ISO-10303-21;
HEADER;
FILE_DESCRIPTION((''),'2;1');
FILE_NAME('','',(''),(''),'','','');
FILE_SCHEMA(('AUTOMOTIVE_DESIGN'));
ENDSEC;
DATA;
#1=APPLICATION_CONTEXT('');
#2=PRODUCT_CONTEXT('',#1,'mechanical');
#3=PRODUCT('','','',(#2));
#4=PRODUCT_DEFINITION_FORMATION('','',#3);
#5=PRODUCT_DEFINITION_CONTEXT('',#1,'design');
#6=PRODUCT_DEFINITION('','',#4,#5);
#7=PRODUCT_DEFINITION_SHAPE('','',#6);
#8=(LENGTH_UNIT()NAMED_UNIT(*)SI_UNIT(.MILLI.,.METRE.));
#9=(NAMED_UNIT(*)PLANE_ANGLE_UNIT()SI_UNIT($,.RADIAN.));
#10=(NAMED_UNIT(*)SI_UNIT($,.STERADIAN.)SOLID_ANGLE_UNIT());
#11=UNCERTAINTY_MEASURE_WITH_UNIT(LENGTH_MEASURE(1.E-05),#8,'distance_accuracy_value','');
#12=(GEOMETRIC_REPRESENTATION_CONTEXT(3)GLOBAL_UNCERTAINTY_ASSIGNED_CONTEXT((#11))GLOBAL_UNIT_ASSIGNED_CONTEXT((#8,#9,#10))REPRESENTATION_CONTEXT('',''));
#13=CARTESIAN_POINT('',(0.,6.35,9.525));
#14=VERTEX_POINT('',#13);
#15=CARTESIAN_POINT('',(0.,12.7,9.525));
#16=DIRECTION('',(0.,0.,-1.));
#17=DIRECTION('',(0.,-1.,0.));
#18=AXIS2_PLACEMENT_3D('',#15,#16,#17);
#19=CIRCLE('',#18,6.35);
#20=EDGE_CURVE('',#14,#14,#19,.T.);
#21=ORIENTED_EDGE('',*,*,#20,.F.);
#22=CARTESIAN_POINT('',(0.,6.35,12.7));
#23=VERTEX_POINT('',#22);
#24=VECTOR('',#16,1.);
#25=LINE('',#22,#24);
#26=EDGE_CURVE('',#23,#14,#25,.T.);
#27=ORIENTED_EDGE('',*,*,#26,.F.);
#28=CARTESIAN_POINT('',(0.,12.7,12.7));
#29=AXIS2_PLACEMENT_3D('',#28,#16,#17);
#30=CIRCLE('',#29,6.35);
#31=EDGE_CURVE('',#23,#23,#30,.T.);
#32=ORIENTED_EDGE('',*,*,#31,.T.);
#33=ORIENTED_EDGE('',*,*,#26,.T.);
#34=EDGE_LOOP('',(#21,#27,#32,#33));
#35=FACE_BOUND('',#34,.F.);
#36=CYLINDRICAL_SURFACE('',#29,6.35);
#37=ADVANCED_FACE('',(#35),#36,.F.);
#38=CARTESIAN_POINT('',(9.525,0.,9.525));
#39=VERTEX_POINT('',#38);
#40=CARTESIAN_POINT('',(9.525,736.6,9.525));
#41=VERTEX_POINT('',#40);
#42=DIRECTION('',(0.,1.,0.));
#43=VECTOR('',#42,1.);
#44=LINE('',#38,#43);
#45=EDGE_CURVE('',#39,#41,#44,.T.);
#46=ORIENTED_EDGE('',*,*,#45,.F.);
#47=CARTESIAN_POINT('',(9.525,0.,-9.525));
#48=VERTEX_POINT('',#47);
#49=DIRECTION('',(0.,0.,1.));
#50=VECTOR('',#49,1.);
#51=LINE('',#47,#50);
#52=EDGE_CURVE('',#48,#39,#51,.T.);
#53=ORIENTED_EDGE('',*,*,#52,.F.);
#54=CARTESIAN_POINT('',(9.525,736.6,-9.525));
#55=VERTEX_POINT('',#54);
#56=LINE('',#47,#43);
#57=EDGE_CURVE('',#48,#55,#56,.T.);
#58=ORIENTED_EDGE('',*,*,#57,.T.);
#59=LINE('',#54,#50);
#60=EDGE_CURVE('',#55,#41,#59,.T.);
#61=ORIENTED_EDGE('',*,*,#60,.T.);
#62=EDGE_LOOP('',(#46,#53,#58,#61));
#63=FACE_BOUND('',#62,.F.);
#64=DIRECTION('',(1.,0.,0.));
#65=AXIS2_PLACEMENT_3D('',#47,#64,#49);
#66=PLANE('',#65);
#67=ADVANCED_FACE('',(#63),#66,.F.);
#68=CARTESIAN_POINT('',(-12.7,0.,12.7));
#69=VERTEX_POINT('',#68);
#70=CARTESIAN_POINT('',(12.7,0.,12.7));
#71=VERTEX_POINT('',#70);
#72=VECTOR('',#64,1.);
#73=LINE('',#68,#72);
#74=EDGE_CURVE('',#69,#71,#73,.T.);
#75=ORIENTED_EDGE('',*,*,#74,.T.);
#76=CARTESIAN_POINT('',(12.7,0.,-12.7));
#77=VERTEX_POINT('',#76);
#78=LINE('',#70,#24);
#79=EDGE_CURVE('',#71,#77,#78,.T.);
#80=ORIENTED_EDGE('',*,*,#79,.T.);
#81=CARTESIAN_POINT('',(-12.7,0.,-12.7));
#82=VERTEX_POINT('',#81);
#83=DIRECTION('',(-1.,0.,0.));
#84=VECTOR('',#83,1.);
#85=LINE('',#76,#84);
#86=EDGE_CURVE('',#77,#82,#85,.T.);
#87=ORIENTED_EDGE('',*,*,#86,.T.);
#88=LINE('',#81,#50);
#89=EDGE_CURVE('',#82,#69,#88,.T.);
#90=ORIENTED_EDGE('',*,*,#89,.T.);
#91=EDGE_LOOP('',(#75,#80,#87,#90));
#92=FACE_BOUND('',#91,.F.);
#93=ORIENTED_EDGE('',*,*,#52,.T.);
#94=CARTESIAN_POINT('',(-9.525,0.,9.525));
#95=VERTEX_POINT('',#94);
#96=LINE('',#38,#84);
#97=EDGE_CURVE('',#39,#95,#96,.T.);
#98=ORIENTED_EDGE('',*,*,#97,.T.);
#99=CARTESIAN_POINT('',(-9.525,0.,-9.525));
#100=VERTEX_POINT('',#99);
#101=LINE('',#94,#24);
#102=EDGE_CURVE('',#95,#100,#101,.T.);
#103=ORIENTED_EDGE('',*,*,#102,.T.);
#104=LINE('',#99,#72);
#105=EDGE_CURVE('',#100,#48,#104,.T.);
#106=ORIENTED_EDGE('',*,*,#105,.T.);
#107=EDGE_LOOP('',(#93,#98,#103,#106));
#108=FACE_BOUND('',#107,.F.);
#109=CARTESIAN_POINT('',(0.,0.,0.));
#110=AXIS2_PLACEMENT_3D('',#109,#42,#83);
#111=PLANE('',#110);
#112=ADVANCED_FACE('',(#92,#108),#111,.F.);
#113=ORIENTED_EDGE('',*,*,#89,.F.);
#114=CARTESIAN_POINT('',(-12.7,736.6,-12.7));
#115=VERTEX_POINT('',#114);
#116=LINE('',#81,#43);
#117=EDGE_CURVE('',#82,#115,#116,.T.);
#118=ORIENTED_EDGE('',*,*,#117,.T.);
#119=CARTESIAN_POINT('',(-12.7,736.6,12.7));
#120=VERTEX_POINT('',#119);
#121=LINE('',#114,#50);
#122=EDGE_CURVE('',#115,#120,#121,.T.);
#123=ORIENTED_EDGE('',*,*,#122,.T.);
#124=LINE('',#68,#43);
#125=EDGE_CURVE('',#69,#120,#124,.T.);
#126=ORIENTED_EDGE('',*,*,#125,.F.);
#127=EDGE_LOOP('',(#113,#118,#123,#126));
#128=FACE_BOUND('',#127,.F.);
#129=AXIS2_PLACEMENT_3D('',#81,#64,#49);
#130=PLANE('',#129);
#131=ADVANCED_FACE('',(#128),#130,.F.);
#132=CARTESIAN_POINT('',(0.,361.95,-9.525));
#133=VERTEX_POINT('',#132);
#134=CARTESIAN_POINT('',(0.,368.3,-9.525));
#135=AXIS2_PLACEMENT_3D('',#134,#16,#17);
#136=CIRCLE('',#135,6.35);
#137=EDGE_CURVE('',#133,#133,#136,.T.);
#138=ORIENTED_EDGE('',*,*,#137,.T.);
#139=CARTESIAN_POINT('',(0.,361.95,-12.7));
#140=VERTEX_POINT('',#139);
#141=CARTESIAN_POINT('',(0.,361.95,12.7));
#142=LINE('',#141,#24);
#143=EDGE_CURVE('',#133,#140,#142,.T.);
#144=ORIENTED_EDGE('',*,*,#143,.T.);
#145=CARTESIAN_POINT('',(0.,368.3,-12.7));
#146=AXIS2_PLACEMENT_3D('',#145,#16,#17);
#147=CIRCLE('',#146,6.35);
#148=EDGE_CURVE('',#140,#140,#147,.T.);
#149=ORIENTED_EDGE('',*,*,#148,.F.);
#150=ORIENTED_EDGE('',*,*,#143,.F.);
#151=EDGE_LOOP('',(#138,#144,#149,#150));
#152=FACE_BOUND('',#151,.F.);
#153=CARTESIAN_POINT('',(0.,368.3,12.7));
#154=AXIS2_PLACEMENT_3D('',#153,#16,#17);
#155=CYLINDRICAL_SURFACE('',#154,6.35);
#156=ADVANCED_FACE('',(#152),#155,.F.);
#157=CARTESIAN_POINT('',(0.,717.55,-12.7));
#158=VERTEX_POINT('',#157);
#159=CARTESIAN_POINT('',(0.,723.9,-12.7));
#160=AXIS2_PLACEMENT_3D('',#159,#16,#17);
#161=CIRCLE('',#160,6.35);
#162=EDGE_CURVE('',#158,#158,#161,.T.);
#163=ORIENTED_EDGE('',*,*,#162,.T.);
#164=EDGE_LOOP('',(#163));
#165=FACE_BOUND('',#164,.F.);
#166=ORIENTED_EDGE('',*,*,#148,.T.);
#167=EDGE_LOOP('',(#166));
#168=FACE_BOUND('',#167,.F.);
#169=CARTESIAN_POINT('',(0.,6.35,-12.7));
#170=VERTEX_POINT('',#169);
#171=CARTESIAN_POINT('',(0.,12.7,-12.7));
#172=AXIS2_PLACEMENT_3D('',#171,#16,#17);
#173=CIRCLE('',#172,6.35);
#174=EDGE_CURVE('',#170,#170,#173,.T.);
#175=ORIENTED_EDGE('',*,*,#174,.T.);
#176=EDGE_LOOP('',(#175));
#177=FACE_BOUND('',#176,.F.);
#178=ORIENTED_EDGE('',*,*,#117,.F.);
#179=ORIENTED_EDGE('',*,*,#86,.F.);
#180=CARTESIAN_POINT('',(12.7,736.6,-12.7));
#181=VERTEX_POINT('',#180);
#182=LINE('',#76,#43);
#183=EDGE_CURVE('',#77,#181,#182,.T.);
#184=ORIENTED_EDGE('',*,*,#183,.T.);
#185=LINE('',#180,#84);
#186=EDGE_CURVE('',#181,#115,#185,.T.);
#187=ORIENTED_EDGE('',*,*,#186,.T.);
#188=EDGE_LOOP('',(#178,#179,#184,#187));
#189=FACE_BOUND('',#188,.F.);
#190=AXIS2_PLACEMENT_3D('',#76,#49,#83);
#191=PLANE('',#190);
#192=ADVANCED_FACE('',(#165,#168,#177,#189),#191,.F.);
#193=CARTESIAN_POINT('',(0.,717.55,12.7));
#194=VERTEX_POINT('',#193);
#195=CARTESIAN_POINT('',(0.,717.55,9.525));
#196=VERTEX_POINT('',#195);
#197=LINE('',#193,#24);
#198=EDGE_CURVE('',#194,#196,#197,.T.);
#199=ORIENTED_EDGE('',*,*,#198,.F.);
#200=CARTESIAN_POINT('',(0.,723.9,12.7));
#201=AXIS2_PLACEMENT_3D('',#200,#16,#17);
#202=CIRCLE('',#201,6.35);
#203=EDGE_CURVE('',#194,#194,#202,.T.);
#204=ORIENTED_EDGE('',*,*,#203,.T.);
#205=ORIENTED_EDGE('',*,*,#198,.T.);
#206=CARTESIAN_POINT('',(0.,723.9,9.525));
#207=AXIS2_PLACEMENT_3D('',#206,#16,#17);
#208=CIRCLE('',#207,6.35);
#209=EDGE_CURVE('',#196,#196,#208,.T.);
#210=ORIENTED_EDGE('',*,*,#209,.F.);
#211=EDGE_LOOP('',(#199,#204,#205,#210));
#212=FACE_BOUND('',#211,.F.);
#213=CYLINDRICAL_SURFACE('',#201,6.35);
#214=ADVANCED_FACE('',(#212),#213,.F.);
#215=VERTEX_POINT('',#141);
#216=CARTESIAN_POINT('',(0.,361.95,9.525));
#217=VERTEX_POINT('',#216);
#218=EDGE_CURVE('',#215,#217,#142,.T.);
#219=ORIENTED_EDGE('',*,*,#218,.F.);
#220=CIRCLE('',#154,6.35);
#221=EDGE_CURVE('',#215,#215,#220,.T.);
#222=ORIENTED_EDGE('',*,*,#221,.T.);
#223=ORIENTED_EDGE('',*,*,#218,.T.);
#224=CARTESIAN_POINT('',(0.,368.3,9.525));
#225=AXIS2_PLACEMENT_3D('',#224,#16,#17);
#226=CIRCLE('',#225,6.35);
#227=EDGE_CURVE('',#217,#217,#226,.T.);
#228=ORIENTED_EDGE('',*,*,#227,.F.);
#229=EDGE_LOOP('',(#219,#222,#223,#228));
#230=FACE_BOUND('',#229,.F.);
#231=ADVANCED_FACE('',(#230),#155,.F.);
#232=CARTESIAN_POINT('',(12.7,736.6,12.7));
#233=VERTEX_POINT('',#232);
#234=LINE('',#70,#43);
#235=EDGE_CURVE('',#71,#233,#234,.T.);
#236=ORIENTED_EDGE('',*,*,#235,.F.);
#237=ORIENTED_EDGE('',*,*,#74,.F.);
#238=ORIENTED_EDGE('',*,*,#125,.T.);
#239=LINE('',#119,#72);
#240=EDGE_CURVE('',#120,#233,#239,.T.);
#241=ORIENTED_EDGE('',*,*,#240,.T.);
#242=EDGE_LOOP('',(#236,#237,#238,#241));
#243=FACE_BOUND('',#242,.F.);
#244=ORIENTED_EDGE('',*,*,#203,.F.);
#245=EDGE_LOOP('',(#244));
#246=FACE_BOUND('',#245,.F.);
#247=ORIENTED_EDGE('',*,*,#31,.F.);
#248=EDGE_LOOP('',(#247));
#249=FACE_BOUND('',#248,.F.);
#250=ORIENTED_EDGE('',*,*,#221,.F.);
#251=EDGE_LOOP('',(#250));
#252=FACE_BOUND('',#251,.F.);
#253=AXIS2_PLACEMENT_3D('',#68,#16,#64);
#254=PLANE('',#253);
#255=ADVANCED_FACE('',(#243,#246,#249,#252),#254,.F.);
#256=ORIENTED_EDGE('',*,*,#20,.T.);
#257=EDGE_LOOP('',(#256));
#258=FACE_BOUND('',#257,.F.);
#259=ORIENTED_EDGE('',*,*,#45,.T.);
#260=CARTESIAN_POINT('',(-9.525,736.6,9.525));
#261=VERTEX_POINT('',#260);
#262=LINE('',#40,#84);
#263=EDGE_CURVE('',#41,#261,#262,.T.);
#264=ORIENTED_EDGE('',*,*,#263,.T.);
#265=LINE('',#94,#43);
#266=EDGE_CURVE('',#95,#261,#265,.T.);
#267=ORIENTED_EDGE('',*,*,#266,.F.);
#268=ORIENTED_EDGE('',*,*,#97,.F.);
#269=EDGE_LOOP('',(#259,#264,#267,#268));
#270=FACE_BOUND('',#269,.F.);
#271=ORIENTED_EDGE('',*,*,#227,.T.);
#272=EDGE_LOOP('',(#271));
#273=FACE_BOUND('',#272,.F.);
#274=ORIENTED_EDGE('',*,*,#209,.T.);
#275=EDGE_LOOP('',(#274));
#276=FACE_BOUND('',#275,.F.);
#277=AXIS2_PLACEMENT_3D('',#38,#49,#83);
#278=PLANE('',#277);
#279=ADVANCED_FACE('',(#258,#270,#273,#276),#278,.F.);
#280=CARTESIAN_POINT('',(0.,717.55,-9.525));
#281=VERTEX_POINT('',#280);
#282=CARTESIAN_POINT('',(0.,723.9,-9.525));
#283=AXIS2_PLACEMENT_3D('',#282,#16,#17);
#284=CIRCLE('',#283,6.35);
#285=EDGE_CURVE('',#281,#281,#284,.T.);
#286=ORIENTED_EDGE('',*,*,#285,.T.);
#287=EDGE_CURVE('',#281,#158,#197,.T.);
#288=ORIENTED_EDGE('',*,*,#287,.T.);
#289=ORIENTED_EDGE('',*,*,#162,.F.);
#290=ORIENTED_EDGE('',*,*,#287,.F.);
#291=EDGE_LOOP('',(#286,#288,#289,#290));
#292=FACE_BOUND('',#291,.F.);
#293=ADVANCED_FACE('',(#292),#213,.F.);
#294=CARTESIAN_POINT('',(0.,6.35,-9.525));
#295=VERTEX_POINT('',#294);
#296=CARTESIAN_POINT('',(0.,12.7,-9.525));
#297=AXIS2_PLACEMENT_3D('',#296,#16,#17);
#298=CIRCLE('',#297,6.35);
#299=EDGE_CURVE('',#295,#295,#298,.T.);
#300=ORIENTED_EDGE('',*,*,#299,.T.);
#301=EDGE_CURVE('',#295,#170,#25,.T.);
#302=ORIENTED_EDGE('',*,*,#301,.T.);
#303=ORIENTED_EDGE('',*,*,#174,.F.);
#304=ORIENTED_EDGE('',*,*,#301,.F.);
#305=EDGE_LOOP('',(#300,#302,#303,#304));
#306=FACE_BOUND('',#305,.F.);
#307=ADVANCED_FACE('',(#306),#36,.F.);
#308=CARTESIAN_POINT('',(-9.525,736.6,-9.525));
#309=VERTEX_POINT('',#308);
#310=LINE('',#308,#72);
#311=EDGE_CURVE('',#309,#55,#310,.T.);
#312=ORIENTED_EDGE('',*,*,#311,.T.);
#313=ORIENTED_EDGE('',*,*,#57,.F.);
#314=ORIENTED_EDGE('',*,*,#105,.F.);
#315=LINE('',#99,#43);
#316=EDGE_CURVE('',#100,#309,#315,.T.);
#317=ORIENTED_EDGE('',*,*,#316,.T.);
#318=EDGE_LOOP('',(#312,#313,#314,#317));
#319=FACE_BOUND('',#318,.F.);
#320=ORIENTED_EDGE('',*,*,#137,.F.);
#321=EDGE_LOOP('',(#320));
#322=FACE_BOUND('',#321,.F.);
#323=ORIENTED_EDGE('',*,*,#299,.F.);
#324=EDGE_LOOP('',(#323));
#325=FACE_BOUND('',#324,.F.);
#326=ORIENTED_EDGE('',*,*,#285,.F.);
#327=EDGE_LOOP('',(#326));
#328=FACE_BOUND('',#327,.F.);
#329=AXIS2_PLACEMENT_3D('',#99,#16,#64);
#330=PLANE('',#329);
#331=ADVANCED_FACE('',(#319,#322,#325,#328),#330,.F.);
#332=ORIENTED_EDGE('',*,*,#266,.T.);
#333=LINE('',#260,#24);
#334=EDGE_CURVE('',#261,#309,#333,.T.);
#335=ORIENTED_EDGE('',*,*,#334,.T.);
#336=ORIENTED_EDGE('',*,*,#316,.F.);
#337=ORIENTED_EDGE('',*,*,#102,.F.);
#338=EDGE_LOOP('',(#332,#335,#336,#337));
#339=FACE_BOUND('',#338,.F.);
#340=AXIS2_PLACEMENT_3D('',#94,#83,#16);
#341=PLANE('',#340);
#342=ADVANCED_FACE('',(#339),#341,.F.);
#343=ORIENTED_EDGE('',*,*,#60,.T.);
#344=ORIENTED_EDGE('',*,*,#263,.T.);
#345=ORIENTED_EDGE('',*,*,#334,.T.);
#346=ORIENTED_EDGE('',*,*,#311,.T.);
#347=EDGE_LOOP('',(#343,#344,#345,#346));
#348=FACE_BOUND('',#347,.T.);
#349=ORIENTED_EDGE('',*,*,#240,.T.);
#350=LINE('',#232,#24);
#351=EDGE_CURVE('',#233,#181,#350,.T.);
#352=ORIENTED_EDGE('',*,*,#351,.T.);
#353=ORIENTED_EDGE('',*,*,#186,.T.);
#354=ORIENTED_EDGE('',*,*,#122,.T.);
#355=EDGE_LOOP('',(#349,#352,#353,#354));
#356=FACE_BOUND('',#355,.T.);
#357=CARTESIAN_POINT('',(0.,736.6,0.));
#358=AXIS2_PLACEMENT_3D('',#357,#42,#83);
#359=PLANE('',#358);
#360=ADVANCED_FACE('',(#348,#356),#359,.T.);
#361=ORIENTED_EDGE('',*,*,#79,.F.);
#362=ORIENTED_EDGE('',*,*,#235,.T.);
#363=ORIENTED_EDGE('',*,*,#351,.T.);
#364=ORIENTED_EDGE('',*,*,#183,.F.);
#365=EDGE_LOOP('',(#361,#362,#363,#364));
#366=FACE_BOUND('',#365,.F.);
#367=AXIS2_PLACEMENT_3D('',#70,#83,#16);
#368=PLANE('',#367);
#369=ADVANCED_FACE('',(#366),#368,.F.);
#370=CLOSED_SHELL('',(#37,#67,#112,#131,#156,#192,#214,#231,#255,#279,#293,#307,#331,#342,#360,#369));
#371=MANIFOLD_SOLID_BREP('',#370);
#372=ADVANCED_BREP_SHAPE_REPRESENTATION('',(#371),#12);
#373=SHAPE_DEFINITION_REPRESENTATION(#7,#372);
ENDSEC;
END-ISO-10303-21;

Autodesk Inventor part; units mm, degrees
ref_plane "YZ Plane" through (0, 0, 0) normal (1, 0, 0) x (0, 1, 0)
ref_plane "XZ Plane" through (0, 0, 0) normal (0, 1, 0) x (-1, 0, 0)
ref_plane "XY Plane" through (0, 0, 0) normal (0, 0, 1) x (1, 0, 0)
sketch "Sketch1" plane through (0, 0, 0) normal (0, 1, 0) x (-1, 0, 0)
  line L0 (12.7, 12.7) -> (-12.7, 12.7)
  line L1 (-12.7, 12.7) -> (-12.7, -12.7)
  line L2 (-12.7, -12.7) -> (12.7, -12.7)
  line L3 (12.7, -12.7) -> (12.7, 12.7)
  line L4 (-9.525, 9.525) -> (9.525, 9.525)
  line L5 (9.525, 9.525) -> (9.525, -9.525)
  line L6 (9.525, -9.525) -> (-9.525, -9.525)
  line L7 (-9.525, -9.525) -> (-9.525, 9.525)
  point P0 (0, 0)
  point P1 (12.7, 0)
  point P2 (0, -12.7)
  dimension "d0" = 25.4
  dimension "d1" = 25.4
  dimension "d2" = 3.175
extrude "Extrusion1" add sketch "Sketch1" along normal blind 736.6
sketch "Sketch2" plane through (-12.7, 0, 12.7) normal (0, 0, 1) x (1, 0, 0)
  line L0 (0, 736.6) -> (25.4, 736.6) projected
  line L1 (0, 0) -> (25.4, 0) projected
  point P0 (12.7, 0)
  point P1 (12.7, 12.7)
  point P2 (12.7, 723.9)
  point P3 (12.7, 368.3)
  dimension "d5" = 12.7
  dimension "d6" = 12.7
  dimension "d7" = 368.3
hole "Hole1" at (0, 12.7, 12.7) at (0, 723.9, 12.7) at (0, 368.3, 12.7) direction (0, 0, -1) diameter 12.7 end through all
sketch "Sketch3" plane through (-12.7, 0, 12.7) normal (0, 0, 1) x (1, 0, 0)
  line L0 (22.3523, 119.127) -> (22.3523, 87.2161) construction
  line L1 (22.3523, 87.2161) -> (-37.8014, 87.2161) construction
  line L2 (-37.8014, 87.2161) -> (-37.8014, 119.127) construction
  line L3 (-37.8014, 119.127) -> (22.3523, 119.127) construction
  point P0 (12.7, 0)
equation "\"d0\" = Tube_size"
equation "\"d1\" = Tube_size"
equation "\"d2\" = Wall_Thickness"
equation "\"d3\" = Bar3_2_Length"
equation "\"d5\" = Uper_Pivit_Offset_FromEdge"
equation "\"d6\" = Lower_Pivit_Offset_FromEdge"
equation "\"d7\" = Bar3_2_Center_Pivit_Offset_FromEdge"
equation "\"d8\" = Pin_Size"
equation "\"Bar1_1_Length\" = 736.6"
equation "\"Lower_Pivit_Offset_FromEdge\" = 12.7"
equation "\"Uper_Pivit_Offset_FromEdge\" = 12.7"
equation "\"Bar1_1_Center_Pivit_Offset_FromEdge\" = 368.3"
equation "\"Bar1_2_Length\" = 736.6"
equation "\"Bar2_1_Length\" = 736.6"
equation "\"Bar2_2_Length\" = 736.6"
equation "\"Bar3_1_Length\" = 736.6"
equation "\"Bar3_2_Length\" = 736.6"
equation "\"Tube_size\" = 25.4"
equation "\"Wall_Thickness\" = 3.175"
equation "\"Bar1_2_Center_Pivit_Offset_FromEdge\" = 368.3"
equation "\"Bar2_1_Center_Pivit_Offset_FromEdge\" = 368.3"
equation "\"Bar2_2_Center_Pivit_Offset_FromEdge\" = 368.3"
equation "\"Bar3_1_Center_Pivit_Offset_FromEdge\" = 368.3"
equation "\"Bar4_2_Center_Pivit_Offset_FromEdge\" = 355.6"
equation "\"Pin_Size\" = 12.7"
equation "\"Bar3_2_Center_Pivit_Offset_FromEdge\" = 368.3"
properties part number "2018 Bar3_2"
